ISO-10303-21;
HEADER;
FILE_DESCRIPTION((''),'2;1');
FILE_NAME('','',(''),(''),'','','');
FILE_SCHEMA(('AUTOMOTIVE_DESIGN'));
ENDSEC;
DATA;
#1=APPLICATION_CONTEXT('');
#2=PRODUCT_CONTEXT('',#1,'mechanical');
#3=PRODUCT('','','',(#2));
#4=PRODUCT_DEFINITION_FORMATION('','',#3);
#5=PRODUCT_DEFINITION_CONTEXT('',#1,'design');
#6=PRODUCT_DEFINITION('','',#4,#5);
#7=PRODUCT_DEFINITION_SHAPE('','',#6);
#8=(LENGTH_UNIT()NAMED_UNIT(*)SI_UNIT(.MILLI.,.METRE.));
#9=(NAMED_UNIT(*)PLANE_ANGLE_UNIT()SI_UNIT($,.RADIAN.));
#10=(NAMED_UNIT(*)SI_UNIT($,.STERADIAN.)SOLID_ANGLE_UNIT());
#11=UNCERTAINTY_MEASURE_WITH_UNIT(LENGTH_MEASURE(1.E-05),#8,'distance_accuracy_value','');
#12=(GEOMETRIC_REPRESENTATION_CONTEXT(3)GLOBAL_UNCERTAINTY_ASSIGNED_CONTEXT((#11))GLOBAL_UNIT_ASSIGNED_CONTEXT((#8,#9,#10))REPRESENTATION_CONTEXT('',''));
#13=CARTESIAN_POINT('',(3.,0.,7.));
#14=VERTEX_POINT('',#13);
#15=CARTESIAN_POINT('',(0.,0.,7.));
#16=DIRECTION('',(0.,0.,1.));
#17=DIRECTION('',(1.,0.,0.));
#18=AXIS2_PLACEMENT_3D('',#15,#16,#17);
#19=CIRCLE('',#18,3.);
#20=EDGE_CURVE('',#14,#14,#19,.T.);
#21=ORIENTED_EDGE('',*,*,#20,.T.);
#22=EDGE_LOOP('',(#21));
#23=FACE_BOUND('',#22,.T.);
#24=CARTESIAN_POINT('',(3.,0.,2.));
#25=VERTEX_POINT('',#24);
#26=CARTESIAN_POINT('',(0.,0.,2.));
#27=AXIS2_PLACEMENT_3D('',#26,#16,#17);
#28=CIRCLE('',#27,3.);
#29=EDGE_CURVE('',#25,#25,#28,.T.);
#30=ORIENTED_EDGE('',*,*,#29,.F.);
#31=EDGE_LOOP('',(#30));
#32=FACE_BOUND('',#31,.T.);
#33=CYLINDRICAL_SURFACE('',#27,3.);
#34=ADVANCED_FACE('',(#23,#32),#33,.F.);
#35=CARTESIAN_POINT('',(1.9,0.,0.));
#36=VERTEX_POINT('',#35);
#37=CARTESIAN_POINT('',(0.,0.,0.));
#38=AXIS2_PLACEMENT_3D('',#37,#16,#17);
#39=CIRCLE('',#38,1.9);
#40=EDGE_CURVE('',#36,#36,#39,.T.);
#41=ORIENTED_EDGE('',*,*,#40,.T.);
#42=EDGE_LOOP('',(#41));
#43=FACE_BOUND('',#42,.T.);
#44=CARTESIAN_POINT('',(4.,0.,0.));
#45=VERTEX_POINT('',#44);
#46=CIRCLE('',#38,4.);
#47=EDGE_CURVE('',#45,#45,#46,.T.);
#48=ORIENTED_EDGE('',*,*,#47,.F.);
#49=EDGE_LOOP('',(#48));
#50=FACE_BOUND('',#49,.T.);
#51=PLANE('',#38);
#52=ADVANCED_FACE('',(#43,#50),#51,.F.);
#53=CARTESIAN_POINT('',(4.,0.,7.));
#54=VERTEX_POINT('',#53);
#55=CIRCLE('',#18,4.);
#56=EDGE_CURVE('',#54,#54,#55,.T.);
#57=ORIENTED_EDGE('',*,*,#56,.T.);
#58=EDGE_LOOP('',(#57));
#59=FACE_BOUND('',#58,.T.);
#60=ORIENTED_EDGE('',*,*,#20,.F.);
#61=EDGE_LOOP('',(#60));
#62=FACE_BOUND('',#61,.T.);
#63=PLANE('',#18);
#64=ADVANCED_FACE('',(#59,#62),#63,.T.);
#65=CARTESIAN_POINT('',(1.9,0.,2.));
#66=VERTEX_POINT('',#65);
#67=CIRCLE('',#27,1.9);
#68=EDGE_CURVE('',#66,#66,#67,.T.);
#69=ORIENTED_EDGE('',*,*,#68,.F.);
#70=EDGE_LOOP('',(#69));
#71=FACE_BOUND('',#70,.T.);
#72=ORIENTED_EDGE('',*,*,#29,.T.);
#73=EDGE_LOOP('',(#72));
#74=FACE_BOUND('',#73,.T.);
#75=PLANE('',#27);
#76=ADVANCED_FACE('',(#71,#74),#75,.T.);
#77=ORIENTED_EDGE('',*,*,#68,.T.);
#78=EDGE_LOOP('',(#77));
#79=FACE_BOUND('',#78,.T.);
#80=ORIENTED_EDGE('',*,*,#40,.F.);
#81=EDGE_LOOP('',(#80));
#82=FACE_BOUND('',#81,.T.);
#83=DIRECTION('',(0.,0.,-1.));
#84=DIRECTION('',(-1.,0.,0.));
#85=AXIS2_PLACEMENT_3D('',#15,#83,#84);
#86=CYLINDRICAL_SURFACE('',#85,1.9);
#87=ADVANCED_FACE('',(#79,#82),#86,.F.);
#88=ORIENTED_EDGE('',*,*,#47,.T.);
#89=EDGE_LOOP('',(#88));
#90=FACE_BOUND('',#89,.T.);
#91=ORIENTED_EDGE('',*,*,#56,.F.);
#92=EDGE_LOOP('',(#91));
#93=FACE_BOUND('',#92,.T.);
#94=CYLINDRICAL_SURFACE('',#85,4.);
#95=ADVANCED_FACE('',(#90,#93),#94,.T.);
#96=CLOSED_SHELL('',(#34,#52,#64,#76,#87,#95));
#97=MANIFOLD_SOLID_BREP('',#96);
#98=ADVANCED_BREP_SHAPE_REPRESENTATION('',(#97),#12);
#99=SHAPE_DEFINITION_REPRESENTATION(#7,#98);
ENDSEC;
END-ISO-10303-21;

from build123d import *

# Parameters (mm, degrees)
SKETCH1_R           = 4
SKETCH1_R_2         = 1.9
BOSS_EXTRUDE1_DEPTH = 7
SKETCH2_R           = 3
CUT_EXTRUDE1_DEPTH  = 5


with BuildPart() as part:
    # Sketch1 → Boss-Extrude1 (new body)
    with BuildSketch(Plane.XY):
        Circle(SKETCH1_R)
        Circle(SKETCH1_R_2, mode=Mode.SUBTRACT)
    extrude(amount=BOSS_EXTRUDE1_DEPTH)

    # Sketch2 → Cut-Extrude1 (cut)
    with BuildSketch(Plane.XY.offset(7)):
        Circle(SKETCH2_R)
    extrude(amount=-CUT_EXTRUDE1_DEPTH, mode=Mode.SUBTRACT)


solid = part.part
